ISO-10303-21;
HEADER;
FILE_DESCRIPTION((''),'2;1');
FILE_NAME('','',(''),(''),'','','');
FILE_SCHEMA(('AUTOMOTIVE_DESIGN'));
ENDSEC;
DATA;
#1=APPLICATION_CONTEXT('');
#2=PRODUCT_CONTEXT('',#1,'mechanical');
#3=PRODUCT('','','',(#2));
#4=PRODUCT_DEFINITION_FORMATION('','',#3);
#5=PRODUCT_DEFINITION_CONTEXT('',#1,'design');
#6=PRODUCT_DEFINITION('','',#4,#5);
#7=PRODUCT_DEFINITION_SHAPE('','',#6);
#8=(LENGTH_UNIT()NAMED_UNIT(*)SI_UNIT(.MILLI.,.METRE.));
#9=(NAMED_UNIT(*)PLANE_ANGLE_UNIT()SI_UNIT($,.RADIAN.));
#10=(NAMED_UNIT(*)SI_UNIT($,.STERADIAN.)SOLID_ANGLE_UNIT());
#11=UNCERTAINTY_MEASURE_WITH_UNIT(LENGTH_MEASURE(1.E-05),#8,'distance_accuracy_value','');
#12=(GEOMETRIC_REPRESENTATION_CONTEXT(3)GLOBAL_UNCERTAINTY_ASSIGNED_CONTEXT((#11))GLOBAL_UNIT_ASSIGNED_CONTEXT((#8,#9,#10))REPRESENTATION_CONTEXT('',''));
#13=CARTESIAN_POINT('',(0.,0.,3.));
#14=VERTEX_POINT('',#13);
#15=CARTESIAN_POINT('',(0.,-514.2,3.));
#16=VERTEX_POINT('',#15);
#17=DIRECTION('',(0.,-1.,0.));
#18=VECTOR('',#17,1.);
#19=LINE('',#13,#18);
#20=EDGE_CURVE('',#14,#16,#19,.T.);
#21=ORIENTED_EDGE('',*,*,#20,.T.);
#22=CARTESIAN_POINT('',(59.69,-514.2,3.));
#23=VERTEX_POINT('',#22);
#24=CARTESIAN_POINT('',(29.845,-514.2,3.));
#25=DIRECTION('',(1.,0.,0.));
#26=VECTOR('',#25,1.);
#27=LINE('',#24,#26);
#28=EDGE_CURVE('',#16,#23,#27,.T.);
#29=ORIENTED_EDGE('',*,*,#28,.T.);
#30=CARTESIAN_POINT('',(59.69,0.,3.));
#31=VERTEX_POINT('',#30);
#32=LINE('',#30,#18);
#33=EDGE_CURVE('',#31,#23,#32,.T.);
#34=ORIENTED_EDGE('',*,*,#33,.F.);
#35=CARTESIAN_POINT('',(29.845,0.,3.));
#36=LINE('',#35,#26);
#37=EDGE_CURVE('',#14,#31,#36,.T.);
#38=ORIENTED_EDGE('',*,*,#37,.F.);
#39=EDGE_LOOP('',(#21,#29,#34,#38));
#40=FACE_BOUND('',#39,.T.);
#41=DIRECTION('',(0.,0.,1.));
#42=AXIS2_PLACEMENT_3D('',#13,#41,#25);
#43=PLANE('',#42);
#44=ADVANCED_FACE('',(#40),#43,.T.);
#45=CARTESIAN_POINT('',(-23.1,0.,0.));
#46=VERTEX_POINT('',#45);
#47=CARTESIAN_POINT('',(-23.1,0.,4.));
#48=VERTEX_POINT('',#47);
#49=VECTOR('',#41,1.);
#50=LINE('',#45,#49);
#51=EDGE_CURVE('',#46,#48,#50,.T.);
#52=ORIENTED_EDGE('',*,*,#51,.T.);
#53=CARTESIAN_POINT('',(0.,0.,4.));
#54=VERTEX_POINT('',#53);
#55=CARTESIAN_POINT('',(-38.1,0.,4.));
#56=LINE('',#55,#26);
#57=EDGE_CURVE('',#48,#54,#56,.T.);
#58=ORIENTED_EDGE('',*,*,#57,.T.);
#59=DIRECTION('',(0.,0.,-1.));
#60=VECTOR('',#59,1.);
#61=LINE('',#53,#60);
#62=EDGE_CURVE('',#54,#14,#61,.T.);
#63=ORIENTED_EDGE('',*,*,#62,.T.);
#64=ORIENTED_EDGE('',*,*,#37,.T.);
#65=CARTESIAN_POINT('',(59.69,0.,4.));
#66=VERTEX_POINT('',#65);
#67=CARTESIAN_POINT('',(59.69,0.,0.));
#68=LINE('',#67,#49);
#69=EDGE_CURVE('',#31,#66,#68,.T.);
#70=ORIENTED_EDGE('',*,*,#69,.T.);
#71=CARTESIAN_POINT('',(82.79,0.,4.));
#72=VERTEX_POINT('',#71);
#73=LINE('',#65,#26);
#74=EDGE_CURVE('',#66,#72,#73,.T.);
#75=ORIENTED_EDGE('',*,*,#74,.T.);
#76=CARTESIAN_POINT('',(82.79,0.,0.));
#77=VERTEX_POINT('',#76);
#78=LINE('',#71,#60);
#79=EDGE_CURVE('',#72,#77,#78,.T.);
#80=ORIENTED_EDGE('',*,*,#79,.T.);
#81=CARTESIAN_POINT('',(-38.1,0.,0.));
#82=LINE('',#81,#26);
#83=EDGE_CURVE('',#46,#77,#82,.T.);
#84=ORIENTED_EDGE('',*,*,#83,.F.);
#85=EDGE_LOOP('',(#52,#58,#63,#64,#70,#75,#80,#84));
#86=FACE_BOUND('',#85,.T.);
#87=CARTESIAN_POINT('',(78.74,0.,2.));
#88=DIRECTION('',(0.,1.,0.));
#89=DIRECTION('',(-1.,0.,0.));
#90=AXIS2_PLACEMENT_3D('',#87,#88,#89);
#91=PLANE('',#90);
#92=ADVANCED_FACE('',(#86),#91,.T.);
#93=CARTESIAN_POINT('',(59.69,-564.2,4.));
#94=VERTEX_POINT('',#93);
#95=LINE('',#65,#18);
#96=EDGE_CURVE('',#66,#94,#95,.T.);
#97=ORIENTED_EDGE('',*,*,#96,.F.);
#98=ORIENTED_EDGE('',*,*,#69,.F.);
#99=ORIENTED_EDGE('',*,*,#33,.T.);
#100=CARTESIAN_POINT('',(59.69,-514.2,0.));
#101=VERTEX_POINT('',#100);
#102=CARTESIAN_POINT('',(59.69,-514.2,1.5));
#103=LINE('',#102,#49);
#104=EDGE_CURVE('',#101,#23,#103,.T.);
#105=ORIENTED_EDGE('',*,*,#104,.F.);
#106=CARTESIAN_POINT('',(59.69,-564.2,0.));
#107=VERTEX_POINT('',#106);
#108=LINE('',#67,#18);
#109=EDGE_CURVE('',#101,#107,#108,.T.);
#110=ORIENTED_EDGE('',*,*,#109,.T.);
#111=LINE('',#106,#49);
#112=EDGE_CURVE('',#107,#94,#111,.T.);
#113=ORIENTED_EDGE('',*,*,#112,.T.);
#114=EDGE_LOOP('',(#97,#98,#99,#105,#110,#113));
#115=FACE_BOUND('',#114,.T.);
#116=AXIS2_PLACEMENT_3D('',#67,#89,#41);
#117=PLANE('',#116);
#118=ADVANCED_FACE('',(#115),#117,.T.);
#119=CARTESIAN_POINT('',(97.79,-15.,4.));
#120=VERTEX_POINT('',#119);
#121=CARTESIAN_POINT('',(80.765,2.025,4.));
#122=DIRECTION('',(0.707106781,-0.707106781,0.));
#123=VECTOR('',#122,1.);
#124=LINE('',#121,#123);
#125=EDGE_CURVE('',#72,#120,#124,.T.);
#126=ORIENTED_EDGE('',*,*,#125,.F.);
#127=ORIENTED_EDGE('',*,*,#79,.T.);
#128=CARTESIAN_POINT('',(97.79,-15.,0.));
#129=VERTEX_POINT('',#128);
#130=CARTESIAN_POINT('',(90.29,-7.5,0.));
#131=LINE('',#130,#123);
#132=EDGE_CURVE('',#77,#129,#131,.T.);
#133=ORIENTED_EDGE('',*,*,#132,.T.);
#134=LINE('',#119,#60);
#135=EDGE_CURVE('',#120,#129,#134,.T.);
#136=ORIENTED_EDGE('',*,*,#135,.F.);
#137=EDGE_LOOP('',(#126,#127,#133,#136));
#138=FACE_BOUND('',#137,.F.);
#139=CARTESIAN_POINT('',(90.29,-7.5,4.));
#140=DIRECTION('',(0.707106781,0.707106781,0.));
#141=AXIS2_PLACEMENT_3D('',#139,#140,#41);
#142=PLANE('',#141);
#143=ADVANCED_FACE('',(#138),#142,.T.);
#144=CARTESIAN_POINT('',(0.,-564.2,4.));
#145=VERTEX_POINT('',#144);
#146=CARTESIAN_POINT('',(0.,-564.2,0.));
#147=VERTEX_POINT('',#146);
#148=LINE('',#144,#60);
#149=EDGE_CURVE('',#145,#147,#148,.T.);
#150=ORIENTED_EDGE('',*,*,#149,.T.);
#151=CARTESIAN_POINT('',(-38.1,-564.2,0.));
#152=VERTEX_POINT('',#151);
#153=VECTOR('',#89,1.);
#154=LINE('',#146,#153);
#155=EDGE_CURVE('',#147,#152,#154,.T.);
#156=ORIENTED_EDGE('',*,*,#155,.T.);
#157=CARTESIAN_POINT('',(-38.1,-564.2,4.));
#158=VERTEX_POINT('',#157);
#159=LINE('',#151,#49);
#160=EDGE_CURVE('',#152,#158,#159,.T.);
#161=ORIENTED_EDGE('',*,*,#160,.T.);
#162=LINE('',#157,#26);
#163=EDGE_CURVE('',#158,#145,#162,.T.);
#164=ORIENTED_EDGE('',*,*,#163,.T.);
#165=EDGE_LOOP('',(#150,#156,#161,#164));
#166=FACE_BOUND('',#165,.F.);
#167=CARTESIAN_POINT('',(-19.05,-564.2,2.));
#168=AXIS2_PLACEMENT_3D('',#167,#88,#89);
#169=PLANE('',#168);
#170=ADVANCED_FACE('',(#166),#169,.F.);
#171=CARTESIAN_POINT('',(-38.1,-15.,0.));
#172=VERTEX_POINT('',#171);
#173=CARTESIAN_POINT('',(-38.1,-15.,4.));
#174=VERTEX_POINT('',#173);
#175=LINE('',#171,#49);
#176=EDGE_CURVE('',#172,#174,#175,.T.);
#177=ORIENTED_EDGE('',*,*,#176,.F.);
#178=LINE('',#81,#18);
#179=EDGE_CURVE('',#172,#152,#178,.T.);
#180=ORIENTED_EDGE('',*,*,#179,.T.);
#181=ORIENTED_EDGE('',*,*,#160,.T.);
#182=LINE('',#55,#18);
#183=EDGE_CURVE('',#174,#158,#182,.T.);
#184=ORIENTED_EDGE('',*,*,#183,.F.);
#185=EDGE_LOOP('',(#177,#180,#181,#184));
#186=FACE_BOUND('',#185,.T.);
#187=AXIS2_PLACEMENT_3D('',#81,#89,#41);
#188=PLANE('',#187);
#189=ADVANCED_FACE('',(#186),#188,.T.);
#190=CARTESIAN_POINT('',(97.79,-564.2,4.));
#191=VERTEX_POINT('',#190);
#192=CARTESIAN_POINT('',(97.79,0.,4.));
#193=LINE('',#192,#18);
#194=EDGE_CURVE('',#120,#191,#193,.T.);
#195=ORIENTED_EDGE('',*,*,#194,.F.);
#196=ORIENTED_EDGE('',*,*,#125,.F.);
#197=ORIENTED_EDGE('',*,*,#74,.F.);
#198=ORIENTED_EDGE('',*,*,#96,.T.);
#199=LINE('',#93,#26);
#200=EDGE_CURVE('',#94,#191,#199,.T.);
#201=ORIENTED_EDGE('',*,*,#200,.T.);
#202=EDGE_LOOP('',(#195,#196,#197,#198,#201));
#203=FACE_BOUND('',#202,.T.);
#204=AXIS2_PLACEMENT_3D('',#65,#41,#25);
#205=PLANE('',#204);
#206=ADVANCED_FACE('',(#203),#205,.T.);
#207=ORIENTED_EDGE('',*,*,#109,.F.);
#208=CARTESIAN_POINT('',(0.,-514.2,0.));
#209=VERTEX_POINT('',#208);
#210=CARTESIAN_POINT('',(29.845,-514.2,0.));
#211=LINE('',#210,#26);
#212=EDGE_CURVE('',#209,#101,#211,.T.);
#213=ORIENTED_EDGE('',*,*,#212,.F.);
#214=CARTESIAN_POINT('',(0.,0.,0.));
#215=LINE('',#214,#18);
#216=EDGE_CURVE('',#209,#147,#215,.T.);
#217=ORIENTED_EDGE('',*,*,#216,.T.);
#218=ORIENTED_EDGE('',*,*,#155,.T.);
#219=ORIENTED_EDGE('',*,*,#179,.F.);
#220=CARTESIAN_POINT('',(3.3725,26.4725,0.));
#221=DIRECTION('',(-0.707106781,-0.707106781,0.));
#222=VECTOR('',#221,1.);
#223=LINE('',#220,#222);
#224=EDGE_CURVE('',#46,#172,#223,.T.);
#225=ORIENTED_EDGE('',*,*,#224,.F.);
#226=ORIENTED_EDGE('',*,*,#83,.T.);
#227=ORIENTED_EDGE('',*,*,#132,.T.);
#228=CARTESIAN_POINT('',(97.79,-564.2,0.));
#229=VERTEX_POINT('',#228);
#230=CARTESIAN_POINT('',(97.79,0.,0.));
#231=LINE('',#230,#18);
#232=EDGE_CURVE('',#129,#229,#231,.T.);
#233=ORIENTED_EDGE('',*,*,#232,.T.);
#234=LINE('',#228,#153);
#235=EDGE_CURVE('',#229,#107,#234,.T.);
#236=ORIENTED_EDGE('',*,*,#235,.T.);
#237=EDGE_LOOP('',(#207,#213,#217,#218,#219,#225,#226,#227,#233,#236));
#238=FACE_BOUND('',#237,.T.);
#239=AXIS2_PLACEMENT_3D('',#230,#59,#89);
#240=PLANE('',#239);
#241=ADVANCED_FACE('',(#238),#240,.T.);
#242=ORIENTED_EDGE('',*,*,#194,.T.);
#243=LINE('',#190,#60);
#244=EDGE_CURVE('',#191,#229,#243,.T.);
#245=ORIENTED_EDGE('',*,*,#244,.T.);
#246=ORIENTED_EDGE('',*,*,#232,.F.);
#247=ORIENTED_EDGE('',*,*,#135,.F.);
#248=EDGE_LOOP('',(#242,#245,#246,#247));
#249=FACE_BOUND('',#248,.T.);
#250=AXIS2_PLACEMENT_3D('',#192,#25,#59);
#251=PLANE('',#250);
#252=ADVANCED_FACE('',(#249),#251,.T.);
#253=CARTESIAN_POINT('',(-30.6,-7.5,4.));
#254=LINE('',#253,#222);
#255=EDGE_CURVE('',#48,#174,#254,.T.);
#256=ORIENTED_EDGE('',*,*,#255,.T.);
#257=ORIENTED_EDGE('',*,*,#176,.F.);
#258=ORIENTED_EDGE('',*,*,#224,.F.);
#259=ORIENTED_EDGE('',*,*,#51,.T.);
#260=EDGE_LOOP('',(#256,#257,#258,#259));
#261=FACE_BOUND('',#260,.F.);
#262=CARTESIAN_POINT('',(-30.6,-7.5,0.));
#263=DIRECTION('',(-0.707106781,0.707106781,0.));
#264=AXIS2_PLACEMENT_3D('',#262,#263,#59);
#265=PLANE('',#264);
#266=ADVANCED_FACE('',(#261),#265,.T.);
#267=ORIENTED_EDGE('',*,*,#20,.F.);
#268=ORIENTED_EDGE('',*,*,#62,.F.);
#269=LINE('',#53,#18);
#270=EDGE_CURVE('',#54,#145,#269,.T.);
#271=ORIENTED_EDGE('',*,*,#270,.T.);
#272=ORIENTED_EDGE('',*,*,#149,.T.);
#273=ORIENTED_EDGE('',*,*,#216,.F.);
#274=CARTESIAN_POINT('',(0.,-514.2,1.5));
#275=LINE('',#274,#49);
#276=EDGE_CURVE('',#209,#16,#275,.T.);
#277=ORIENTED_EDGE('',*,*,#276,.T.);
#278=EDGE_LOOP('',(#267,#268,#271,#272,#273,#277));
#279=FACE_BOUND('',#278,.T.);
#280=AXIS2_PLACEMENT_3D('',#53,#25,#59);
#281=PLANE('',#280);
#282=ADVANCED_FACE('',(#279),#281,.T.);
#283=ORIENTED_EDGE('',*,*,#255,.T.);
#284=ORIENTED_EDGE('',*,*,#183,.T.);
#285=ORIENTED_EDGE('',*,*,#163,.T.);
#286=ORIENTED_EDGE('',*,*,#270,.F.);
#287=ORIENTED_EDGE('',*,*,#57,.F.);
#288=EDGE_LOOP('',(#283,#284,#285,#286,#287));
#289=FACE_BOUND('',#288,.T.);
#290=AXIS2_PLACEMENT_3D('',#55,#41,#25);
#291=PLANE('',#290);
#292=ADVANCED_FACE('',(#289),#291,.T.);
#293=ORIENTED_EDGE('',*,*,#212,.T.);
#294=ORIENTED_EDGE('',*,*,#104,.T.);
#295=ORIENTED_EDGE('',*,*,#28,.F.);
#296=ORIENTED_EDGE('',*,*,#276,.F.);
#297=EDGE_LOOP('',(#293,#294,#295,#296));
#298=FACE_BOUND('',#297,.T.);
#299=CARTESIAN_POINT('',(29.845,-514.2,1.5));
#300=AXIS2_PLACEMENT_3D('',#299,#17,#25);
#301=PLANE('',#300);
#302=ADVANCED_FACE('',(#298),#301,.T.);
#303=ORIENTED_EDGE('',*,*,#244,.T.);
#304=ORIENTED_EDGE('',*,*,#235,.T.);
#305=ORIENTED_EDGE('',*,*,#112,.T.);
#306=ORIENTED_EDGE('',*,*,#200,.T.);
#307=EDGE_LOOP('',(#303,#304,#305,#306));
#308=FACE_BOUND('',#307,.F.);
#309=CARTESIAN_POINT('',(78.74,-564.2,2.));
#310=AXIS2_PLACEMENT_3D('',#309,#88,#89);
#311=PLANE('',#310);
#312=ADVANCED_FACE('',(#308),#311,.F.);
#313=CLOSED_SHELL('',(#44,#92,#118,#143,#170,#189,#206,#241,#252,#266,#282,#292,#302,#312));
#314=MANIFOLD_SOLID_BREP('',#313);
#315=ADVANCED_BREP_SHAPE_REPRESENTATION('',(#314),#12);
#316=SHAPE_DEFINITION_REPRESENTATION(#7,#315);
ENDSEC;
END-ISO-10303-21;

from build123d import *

# Parameters (mm, degrees)
F0_W     = 59.69
F0_H     = 3
F1_DEPTH = 514.2
F3_DEPTH = 564.2
F4_SIZE  = 15


with BuildPart() as f1:
    # F0 (on Front) → F1 (new body)
    with BuildSketch(Plane.XZ):
        with Locations((29.845, 1.5)):
            Rectangle(F0_W, F0_H)
    extrude(amount=F1_DEPTH)

    # F2 (on face) → F3 (join)
    with BuildSketch(Plane(origin=(0, 0, 0), x_dir=(-1, 0, 0), z_dir=(0, 1, 0))):
        Polygon((-97.79, 0), (-59.69, 0), (-59.69, 3), (-59.69, 4), (-97.79, 4), (-97.79, 1.197734), align=None)
        Polygon((0, 4), (0, 3), (0, 0), (38.1, 0), (38.1, 4), align=None)
    extrude(amount=-F3_DEPTH)

    # F4
    f4_edges = [f1.edges().sort_by_distance(p)[0] for p in [
        (97.79, 0, 2),
        (-38.1, 0, 2),
    ]]
    chamfer(f4_edges, length=F4_SIZE)


solid = f1.part
